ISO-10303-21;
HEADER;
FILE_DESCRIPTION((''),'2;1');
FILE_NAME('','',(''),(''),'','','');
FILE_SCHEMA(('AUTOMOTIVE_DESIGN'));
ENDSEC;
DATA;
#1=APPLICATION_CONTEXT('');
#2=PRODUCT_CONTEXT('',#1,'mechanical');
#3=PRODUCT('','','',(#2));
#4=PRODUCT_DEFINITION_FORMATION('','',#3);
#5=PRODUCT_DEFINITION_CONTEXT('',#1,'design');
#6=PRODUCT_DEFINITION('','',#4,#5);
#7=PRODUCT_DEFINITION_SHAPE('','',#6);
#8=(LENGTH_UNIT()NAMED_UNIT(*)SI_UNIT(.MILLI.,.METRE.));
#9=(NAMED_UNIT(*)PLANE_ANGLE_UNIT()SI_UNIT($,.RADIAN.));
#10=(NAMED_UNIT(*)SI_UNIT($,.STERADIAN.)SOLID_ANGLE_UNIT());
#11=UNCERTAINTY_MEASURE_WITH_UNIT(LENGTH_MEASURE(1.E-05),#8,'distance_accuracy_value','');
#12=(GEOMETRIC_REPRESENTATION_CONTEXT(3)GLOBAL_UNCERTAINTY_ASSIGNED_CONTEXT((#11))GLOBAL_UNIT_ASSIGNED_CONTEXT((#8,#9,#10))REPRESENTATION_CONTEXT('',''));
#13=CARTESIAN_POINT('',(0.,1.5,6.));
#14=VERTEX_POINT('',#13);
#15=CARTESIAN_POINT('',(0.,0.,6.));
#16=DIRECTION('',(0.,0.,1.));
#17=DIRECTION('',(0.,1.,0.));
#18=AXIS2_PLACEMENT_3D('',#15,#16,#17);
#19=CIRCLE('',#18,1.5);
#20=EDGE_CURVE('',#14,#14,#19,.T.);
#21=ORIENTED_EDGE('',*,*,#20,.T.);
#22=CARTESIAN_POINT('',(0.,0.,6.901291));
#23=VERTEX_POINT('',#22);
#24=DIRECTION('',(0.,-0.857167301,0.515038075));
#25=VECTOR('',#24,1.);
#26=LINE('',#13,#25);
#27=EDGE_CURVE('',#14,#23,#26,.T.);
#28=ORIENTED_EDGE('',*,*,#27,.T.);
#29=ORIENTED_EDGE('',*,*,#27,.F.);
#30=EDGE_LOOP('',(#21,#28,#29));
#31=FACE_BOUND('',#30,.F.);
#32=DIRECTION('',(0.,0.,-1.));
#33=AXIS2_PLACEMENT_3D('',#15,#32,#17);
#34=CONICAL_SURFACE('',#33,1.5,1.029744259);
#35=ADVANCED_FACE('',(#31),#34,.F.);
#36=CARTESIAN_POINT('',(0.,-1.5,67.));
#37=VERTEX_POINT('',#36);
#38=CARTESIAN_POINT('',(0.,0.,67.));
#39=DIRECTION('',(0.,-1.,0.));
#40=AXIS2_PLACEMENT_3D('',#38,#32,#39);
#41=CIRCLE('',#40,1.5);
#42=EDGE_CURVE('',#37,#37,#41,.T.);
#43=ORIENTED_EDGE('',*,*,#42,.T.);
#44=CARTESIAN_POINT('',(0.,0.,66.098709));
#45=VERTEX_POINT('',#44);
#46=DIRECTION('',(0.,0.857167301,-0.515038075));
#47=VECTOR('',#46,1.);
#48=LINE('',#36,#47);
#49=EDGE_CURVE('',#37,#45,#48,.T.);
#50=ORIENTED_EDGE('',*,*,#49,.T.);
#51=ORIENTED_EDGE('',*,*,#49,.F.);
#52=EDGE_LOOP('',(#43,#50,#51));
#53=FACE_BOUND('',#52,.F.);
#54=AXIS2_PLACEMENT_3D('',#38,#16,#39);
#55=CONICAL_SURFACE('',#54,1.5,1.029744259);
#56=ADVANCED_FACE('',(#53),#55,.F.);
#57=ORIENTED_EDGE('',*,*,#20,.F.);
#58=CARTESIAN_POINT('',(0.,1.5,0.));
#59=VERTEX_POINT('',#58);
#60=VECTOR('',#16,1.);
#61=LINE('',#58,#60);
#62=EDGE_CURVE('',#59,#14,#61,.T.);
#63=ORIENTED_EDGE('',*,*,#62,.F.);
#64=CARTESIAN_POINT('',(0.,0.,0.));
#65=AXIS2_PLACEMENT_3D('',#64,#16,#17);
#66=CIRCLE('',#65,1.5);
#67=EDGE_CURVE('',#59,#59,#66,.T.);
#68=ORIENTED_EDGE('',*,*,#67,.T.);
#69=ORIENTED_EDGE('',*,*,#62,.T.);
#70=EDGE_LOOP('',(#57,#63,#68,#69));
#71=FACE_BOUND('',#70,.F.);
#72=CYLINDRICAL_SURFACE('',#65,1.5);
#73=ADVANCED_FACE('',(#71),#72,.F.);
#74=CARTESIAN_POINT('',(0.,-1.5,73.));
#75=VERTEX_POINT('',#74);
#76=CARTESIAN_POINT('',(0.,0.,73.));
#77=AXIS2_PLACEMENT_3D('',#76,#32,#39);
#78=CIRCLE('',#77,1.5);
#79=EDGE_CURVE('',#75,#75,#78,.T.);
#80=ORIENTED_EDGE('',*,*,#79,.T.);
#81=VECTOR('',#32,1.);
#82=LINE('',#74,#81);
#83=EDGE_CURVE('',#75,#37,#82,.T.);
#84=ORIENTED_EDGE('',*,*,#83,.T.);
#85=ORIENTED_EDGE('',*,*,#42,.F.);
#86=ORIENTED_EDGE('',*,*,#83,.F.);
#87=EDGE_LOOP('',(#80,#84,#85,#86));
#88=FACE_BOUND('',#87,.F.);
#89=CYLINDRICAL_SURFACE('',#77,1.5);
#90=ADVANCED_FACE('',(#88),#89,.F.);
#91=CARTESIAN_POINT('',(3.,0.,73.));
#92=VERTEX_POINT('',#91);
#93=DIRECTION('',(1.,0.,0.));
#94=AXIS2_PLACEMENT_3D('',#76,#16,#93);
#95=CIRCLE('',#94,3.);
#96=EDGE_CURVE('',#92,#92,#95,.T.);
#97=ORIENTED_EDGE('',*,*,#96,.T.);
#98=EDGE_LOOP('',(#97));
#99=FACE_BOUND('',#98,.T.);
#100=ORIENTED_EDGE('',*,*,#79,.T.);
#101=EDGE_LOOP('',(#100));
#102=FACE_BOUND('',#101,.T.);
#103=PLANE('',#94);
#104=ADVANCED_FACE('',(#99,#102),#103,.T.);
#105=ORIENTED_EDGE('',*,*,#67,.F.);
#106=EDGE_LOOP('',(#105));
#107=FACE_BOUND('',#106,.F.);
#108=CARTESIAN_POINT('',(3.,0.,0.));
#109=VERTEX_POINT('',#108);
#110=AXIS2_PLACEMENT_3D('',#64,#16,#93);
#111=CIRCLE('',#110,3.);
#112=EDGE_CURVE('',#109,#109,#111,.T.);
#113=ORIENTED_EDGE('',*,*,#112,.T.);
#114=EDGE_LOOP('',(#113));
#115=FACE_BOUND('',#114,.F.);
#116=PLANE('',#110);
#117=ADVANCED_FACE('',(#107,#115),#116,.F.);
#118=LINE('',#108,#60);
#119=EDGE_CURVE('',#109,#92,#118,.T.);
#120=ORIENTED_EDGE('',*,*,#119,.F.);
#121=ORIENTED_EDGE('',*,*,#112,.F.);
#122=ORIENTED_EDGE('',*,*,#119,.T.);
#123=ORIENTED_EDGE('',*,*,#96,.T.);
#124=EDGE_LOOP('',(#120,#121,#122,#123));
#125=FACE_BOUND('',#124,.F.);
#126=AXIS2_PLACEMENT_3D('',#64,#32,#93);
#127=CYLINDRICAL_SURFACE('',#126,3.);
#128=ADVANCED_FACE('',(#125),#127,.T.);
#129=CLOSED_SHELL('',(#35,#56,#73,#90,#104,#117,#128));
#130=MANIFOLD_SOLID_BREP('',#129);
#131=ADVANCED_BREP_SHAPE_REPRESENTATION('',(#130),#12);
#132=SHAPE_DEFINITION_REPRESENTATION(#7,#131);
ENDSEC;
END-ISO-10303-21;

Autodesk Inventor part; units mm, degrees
ref_plane "YZ Plane" through (0, 0, 0) normal (1, 0, 0) x (0, 1, 0)
ref_plane "XZ Plane" through (0, 0, 0) normal (0, 1, 0) x (-1, 0, 0)
ref_plane "XY Plane" through (0, 0, 0) normal (0, 0, 1) x (1, 0, 0)
sketch "スケッチ1" plane through (0, 0, 0) normal (0, 0, 1) x (1, 0, 0)
  circle A0 centre (0, 0) radius 3
  circle A1 centre (0, 0) radius 1.5005
  dimension "d0" = 6
  dimension "d1" = 3.001
extrude "押し出し1" add sketch "スケッチ1" along normal blind 73
sketch "スケッチ2" plane through (0, 0, 73) normal (0, 0, 1) x (1, 0, 0)
  circle A0 centre (0, 0) radius 1.5005 projected
  circle A1 centre (0, 0) radius 1.5
  dimension "d4" = 3
extrude "押し出し2" add sketch "スケッチ2" against normal blind 73
hole "穴1" at (0, 0, 73) direction (0, 0, -1) diameter 3 depth 6 tip angle 118
hole "穴2" at (0, 0, 0) direction (0, 0, 1) diameter 3 depth 6 tip angle 118
properties part number "スペーサーm3-73　簡易筒型" material "アルミニウム 2014-T4"
